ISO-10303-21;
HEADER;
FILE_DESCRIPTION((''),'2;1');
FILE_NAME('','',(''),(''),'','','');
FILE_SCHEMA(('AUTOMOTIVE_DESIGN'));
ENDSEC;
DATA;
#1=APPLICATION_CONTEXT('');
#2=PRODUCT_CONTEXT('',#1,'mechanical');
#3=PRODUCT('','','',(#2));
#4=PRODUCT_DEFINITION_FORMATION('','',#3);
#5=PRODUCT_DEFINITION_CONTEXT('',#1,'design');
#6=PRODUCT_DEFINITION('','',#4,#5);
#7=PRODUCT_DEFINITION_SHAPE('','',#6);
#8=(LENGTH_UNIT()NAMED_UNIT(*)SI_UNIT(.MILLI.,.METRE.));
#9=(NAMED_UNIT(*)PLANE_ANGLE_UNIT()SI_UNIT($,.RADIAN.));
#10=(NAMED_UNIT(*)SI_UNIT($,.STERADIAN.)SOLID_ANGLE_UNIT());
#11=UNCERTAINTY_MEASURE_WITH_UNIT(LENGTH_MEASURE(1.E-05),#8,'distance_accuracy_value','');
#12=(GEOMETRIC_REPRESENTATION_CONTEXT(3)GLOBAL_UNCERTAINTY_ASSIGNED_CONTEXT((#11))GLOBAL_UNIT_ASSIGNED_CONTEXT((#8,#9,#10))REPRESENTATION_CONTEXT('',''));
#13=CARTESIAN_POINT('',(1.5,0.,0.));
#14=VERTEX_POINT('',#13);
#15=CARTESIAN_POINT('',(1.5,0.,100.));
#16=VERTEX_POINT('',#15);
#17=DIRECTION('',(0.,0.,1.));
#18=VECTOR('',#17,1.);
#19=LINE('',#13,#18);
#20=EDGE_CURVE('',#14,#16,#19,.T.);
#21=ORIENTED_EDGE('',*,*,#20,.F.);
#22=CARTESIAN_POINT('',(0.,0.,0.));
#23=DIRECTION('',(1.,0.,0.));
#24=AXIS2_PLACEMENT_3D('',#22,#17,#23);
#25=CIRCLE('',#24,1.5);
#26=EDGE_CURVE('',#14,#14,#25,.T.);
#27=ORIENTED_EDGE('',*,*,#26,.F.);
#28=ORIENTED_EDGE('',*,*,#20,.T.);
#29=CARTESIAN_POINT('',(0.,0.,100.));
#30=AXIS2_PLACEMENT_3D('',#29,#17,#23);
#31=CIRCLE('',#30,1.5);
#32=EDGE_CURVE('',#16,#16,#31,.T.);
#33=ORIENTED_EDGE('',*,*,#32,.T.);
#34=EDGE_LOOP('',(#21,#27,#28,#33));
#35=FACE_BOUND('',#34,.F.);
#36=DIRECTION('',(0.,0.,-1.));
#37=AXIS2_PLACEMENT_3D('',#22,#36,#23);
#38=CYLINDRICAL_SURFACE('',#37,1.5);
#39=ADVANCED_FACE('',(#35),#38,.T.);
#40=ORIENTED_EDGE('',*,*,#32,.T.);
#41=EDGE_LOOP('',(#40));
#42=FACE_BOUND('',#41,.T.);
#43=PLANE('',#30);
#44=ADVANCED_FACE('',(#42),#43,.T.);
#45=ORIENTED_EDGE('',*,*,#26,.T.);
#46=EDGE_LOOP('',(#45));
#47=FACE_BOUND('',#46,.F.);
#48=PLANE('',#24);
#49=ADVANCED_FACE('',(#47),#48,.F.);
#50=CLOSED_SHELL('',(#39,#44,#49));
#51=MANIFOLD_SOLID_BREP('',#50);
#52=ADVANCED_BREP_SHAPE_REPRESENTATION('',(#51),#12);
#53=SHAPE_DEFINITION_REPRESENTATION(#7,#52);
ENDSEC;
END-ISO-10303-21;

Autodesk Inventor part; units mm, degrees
ref_plane "YZ Plane" through (0, 0, 0) normal (1, 0, 0) x (0, 1, 0)
ref_plane "XZ Plane" through (0, 0, 0) normal (0, 1, 0) x (-1, 0, 0)
ref_plane "XY Plane" through (0, 0, 0) normal (0, 0, 1) x (1, 0, 0)
sketch "Sketch1" plane through (0, 0, 0) normal (0, 0, 1) x (1, 0, 0)
  circle A0 centre (0, 0) radius 1.5
  dimension "d0" = 3
extrude "Extrusion1" add sketch "Sketch1" along normal blind 100
properties part number "Brass Bar - 3mm x 75mm" material "Brass, Soft Yellow"
